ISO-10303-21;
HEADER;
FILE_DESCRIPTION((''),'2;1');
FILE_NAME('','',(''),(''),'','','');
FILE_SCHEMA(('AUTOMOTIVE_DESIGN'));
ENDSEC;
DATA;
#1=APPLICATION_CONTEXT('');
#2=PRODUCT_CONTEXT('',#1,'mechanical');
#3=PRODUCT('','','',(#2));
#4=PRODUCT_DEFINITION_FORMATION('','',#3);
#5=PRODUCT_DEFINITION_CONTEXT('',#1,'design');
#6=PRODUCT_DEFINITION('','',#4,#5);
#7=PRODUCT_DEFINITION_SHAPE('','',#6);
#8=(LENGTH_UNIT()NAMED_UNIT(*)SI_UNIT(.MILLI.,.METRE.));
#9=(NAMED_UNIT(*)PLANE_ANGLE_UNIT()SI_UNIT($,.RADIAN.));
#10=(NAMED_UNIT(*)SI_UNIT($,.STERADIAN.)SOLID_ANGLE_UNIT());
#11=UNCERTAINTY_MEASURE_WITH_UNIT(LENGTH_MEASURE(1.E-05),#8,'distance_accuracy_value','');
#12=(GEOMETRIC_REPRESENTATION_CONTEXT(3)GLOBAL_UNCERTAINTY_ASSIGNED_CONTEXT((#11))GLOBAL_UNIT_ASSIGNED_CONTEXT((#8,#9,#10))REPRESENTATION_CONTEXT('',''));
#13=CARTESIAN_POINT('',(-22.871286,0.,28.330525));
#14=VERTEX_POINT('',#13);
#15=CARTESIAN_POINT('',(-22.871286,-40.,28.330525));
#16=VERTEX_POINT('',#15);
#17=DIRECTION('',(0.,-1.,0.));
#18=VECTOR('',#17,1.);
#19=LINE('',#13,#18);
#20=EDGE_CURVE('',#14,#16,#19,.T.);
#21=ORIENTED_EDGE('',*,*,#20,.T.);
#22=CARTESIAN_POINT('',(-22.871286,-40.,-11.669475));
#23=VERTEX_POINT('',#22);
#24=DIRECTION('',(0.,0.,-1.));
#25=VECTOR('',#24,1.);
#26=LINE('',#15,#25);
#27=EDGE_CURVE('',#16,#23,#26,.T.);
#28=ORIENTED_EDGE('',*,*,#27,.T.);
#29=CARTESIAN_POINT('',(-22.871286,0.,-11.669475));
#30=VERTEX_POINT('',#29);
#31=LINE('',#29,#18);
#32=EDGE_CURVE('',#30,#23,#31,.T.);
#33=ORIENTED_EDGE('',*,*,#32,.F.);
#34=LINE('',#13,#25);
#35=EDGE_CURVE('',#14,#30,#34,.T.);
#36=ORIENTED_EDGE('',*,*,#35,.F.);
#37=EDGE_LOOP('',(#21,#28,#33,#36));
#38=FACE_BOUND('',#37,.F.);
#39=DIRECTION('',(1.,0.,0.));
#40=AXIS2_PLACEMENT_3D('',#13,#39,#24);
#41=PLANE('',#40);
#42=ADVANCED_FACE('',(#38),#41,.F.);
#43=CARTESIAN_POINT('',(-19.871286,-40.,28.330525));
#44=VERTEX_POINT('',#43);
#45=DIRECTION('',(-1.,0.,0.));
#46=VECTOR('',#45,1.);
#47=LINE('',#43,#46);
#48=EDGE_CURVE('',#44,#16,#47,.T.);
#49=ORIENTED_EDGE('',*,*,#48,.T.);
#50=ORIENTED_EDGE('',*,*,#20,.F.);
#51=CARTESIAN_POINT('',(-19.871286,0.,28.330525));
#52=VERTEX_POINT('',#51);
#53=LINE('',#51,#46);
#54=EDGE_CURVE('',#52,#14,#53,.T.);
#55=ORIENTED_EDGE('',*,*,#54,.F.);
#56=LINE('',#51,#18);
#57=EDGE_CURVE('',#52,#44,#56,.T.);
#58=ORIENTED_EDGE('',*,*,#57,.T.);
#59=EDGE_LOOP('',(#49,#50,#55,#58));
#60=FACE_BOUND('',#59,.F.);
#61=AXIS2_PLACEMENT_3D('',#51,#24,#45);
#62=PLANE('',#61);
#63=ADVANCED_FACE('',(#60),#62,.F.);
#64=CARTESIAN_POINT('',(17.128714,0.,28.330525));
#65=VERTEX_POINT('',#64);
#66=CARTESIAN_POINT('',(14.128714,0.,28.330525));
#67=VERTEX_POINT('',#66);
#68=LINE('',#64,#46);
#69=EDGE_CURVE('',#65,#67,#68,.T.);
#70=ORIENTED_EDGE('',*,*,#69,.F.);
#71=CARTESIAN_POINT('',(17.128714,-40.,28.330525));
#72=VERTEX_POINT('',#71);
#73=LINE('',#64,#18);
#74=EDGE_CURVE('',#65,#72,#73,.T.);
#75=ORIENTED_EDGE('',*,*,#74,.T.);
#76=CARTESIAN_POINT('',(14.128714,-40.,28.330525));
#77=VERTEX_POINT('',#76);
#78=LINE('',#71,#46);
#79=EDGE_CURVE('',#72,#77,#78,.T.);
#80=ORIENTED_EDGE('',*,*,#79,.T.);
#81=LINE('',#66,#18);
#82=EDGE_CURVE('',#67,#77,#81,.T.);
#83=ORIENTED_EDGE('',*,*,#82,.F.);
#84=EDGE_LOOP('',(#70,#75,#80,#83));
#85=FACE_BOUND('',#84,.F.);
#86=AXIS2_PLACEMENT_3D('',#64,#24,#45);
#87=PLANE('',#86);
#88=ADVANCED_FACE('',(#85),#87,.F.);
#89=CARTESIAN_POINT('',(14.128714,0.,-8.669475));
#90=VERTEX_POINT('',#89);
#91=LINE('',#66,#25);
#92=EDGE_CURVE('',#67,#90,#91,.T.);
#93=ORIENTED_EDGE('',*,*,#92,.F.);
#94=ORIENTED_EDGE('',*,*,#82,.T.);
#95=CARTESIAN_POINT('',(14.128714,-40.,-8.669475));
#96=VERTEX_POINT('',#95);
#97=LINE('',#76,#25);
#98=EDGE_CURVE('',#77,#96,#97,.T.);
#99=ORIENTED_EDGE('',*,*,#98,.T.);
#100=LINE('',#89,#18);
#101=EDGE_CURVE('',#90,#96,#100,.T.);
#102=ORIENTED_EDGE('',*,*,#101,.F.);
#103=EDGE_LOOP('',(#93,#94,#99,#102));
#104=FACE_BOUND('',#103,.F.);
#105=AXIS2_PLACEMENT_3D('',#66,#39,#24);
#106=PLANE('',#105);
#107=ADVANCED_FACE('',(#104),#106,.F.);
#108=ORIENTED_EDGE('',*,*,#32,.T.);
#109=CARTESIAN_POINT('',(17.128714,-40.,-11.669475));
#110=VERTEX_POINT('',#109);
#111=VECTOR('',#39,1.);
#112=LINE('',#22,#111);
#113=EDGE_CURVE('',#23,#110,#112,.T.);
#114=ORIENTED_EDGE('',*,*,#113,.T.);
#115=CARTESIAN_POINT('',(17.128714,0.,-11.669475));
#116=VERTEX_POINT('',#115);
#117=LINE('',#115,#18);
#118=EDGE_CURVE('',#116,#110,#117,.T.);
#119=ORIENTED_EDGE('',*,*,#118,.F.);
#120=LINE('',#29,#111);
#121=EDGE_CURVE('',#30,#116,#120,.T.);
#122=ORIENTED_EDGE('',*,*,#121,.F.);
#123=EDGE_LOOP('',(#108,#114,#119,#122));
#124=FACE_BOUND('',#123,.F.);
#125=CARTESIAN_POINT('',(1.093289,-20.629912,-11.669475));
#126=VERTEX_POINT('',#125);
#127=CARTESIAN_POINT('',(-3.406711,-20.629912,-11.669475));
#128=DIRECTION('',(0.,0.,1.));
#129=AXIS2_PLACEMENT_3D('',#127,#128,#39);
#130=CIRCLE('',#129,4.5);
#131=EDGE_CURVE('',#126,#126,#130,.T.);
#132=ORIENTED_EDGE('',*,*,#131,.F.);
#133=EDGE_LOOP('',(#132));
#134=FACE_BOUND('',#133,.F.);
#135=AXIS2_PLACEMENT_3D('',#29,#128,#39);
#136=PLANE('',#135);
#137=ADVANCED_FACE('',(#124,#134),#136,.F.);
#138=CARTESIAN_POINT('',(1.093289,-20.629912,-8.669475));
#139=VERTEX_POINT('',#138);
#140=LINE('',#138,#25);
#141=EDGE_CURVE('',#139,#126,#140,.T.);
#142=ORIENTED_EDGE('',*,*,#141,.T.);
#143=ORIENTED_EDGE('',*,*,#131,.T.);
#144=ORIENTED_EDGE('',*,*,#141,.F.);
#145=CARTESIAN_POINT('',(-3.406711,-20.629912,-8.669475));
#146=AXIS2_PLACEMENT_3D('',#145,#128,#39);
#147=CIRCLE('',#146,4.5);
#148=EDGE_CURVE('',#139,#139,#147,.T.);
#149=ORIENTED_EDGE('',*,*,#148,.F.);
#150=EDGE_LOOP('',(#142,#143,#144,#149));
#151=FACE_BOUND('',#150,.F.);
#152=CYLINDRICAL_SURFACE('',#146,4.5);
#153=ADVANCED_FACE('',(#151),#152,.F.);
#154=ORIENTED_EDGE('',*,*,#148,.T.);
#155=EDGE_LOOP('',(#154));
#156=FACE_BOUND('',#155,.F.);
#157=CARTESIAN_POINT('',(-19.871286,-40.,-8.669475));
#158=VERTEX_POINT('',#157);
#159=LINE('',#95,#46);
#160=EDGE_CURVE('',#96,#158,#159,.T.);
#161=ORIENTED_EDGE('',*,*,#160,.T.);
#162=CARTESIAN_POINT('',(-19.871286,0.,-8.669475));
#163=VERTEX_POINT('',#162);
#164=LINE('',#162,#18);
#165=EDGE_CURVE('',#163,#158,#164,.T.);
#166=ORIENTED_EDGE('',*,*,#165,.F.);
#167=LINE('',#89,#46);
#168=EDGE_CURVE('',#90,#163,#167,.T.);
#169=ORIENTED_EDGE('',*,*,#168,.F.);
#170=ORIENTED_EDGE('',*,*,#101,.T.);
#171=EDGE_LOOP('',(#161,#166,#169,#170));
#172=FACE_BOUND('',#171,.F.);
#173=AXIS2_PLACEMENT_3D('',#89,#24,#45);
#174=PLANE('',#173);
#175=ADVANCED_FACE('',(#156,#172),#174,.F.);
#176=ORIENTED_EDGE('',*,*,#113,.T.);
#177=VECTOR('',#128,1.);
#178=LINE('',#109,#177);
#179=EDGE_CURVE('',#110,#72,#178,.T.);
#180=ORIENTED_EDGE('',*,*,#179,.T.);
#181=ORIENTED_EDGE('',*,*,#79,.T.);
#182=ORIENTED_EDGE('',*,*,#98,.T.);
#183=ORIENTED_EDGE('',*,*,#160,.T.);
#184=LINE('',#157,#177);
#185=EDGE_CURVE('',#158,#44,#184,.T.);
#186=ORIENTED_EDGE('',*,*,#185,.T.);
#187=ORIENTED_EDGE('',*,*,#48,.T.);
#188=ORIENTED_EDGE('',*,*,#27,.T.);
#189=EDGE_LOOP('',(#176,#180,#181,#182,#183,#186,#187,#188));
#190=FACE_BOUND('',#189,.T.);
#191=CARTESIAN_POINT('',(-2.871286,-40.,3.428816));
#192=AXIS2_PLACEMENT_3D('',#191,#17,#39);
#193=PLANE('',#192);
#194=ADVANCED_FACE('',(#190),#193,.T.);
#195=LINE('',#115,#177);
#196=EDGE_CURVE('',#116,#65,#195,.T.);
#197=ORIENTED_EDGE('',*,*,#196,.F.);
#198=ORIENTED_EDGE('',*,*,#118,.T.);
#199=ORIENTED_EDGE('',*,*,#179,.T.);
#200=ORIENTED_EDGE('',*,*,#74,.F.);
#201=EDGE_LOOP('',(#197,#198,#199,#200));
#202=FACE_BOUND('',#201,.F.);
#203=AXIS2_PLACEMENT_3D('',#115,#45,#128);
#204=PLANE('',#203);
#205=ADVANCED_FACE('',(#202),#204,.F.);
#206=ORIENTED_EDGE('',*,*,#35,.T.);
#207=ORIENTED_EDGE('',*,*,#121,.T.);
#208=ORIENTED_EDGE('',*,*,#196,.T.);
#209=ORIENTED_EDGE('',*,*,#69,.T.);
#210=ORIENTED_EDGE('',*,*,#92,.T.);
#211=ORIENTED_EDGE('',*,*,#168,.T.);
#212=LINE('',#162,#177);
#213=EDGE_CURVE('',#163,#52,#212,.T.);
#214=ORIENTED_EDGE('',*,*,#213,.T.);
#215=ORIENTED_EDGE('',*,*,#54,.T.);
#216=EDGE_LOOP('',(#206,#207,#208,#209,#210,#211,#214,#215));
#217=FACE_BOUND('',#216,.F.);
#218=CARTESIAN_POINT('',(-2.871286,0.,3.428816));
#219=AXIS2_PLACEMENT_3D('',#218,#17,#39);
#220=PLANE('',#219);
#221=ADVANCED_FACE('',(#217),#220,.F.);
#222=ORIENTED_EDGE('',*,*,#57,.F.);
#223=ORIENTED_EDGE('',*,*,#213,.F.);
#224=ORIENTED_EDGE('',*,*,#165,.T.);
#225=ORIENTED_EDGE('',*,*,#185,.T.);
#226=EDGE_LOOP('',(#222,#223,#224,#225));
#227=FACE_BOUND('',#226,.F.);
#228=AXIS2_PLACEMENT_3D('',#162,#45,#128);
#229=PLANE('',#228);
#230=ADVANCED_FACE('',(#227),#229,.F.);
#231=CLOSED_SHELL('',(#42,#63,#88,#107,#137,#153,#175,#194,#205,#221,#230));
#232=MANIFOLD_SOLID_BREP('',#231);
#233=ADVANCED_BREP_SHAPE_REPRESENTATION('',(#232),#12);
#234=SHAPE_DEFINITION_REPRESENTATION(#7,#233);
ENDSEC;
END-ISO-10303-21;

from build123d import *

# Parameters (mm, degrees)
F1_DEPTH = 40
F2_R     = 4.5
F3_DEPTH = 25


with BuildPart() as f1:
    # F0 (on Front) → F1 (new body)
    with BuildSketch(Plane.XZ):
        Polygon((-22.871286, 28.330525), (-22.871286, -11.669475), (17.128714, -11.669475), (17.128714, 28.330525), (14.128714, 28.330525), (14.128714, -8.669475), (-2.871286, -8.669475), (-19.871286, -8.669475), (-19.871286, 28.330525), align=None)
    extrude(amount=F1_DEPTH)

    # F2 (on face) → F3 (cut)
    with BuildSketch(Plane.XY.offset(-8.669475)):
        with Locations((-3.406711, -20.629912)):
            Circle(F2_R)
    extrude(amount=-F3_DEPTH, mode=Mode.SUBTRACT)


solid = f1.part
